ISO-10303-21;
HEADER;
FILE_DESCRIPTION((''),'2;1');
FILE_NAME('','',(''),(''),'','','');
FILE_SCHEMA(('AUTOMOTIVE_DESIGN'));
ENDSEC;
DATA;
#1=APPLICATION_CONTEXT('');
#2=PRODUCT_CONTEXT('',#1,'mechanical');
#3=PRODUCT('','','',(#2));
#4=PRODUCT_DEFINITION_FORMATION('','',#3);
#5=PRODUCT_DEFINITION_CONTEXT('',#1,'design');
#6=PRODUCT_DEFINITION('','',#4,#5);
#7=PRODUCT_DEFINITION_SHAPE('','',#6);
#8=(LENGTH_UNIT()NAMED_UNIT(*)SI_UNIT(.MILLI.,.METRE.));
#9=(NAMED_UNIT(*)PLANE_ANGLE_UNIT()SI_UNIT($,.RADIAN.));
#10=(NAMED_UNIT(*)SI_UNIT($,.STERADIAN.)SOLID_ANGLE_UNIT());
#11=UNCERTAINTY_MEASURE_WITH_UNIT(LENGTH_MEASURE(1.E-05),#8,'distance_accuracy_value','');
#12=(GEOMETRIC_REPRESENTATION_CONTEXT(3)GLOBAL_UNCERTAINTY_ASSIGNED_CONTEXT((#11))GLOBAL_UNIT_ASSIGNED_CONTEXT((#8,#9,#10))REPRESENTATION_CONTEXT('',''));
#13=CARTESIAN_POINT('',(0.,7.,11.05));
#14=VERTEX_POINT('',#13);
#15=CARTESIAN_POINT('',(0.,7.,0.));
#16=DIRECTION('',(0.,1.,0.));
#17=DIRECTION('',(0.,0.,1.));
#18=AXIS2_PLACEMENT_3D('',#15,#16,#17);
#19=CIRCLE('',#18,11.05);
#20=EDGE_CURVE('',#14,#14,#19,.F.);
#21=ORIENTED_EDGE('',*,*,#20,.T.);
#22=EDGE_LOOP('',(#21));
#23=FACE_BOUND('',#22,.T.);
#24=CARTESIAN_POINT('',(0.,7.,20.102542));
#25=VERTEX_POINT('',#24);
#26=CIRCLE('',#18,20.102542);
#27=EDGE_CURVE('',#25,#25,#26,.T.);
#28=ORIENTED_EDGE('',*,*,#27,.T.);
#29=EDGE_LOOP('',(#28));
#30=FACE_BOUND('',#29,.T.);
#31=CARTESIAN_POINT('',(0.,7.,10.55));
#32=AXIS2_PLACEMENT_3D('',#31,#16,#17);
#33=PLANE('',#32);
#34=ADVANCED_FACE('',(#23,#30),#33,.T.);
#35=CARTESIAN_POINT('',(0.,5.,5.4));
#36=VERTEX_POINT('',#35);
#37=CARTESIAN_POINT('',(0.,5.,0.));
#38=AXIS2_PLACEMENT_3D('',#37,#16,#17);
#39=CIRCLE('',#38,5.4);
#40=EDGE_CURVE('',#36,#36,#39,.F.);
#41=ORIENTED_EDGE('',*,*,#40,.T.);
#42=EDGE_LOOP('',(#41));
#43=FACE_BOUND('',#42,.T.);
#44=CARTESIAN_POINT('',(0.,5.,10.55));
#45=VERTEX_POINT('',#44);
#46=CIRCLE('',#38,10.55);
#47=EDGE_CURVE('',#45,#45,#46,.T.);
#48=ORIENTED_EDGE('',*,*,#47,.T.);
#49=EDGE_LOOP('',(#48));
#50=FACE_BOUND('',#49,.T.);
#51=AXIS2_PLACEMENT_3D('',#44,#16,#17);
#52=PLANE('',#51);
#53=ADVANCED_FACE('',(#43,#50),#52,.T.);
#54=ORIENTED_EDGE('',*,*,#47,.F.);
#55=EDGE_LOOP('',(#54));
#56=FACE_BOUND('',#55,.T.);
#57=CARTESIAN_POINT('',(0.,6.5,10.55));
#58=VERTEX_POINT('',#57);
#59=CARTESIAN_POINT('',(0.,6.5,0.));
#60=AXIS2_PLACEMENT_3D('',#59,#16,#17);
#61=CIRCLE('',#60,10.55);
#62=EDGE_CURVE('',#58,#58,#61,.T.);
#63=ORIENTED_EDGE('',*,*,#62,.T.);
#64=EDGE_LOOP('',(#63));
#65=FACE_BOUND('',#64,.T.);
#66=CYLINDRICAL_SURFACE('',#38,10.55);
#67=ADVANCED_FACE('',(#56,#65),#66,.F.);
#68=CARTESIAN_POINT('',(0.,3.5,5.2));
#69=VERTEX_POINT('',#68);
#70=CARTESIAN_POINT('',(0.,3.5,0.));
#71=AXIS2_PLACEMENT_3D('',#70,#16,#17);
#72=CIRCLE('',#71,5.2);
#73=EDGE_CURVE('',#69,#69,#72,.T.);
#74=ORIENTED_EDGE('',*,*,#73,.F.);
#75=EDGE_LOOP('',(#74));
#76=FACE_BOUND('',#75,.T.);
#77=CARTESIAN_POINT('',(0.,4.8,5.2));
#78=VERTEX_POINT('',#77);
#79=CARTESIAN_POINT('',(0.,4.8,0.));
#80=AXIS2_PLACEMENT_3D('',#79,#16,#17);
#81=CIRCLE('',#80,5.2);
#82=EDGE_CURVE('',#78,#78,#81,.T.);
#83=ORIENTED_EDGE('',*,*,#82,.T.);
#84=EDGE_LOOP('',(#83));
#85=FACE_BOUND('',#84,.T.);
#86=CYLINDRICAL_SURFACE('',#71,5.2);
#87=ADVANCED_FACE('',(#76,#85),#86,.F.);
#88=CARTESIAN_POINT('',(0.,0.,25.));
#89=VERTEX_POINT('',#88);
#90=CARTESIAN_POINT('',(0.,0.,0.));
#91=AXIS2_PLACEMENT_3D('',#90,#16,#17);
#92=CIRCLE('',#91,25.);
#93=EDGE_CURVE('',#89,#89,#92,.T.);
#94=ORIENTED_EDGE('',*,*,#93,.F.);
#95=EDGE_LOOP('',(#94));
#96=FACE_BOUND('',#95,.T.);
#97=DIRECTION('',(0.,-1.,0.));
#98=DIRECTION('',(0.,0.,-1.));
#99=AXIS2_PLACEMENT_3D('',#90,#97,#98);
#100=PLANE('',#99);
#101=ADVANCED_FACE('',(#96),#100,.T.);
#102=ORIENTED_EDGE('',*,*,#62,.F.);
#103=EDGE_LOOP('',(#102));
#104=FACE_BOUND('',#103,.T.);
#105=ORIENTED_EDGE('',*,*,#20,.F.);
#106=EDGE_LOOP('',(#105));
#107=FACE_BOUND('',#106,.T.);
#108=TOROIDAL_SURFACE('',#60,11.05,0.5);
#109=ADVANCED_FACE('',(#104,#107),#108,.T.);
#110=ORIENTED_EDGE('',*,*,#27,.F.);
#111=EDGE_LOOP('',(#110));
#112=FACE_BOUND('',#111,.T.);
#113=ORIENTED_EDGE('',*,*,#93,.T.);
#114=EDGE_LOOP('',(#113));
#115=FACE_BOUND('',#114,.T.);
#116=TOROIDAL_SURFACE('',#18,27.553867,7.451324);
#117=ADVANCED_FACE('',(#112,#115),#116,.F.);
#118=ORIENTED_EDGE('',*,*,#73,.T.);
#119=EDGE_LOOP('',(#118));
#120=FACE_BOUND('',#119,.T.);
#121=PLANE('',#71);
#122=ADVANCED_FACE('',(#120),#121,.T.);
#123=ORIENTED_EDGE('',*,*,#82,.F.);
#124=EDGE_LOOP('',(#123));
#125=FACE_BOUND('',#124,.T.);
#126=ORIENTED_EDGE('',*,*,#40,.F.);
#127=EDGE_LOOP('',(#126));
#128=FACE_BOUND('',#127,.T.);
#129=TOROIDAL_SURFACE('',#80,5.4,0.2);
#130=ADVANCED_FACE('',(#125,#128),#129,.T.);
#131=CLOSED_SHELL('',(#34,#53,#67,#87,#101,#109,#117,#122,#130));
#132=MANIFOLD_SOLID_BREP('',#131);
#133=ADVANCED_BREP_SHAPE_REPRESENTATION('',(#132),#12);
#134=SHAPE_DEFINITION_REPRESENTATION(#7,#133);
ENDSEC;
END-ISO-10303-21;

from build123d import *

# Parameters (mm, degrees)
FILLET1_R          = 0.5
SKETCH2_R          = 5.2
CUT_EXTRUDE1_DEPTH = 1.5
FILLET2_R          = 0.2


with BuildPart() as part:
    # Sketch1 → Revolve1 (revolve)
    with BuildSketch(Plane(origin=(0, 0, 0), x_dir=(0, 0, -1), z_dir=(1, 0, 0))):
        with BuildLine():
            Line((0, 0), (-25, 0))
            ThreePointArc((-25, 0), (-21.448462457, 2.728434409), (-20.102542457, 7))
            Line((-20.102542457, 7), (-10.55, 7))
            Line((-10.55, 7), (-10.55, 5))
            Line((-10.55, 5), (0, 5))
            Line((0, 5), (0, 0))
        make_face()
    revolve(axis=Axis((0, 5, 0), (0, -1, 0)))

    # Fillet1
    fillet1_edges = [part.edges().sort_by_distance(p)[0] for p in [
        (0, 7, -10.55),
    ]]
    fillet(fillet1_edges, radius=FILLET1_R)

    # Sketch2 → Cut-Extrude1 (cut)
    with BuildSketch(Plane(origin=(0, 5, 0), x_dir=(1, 0, 0), z_dir=(0, 1, 0))):
        with Locations(Location((0, 0, 0), (0, 0, 270))):
            Circle(SKETCH2_R)
    extrude(amount=-CUT_EXTRUDE1_DEPTH, mode=Mode.SUBTRACT)

    # Fillet2
    fillet2_edges = [part.edges().sort_by_distance(p)[0] for p in [
        (0, 5, -5.2),
    ]]
    fillet(fillet2_edges, radius=FILLET2_R)


solid = part.part
